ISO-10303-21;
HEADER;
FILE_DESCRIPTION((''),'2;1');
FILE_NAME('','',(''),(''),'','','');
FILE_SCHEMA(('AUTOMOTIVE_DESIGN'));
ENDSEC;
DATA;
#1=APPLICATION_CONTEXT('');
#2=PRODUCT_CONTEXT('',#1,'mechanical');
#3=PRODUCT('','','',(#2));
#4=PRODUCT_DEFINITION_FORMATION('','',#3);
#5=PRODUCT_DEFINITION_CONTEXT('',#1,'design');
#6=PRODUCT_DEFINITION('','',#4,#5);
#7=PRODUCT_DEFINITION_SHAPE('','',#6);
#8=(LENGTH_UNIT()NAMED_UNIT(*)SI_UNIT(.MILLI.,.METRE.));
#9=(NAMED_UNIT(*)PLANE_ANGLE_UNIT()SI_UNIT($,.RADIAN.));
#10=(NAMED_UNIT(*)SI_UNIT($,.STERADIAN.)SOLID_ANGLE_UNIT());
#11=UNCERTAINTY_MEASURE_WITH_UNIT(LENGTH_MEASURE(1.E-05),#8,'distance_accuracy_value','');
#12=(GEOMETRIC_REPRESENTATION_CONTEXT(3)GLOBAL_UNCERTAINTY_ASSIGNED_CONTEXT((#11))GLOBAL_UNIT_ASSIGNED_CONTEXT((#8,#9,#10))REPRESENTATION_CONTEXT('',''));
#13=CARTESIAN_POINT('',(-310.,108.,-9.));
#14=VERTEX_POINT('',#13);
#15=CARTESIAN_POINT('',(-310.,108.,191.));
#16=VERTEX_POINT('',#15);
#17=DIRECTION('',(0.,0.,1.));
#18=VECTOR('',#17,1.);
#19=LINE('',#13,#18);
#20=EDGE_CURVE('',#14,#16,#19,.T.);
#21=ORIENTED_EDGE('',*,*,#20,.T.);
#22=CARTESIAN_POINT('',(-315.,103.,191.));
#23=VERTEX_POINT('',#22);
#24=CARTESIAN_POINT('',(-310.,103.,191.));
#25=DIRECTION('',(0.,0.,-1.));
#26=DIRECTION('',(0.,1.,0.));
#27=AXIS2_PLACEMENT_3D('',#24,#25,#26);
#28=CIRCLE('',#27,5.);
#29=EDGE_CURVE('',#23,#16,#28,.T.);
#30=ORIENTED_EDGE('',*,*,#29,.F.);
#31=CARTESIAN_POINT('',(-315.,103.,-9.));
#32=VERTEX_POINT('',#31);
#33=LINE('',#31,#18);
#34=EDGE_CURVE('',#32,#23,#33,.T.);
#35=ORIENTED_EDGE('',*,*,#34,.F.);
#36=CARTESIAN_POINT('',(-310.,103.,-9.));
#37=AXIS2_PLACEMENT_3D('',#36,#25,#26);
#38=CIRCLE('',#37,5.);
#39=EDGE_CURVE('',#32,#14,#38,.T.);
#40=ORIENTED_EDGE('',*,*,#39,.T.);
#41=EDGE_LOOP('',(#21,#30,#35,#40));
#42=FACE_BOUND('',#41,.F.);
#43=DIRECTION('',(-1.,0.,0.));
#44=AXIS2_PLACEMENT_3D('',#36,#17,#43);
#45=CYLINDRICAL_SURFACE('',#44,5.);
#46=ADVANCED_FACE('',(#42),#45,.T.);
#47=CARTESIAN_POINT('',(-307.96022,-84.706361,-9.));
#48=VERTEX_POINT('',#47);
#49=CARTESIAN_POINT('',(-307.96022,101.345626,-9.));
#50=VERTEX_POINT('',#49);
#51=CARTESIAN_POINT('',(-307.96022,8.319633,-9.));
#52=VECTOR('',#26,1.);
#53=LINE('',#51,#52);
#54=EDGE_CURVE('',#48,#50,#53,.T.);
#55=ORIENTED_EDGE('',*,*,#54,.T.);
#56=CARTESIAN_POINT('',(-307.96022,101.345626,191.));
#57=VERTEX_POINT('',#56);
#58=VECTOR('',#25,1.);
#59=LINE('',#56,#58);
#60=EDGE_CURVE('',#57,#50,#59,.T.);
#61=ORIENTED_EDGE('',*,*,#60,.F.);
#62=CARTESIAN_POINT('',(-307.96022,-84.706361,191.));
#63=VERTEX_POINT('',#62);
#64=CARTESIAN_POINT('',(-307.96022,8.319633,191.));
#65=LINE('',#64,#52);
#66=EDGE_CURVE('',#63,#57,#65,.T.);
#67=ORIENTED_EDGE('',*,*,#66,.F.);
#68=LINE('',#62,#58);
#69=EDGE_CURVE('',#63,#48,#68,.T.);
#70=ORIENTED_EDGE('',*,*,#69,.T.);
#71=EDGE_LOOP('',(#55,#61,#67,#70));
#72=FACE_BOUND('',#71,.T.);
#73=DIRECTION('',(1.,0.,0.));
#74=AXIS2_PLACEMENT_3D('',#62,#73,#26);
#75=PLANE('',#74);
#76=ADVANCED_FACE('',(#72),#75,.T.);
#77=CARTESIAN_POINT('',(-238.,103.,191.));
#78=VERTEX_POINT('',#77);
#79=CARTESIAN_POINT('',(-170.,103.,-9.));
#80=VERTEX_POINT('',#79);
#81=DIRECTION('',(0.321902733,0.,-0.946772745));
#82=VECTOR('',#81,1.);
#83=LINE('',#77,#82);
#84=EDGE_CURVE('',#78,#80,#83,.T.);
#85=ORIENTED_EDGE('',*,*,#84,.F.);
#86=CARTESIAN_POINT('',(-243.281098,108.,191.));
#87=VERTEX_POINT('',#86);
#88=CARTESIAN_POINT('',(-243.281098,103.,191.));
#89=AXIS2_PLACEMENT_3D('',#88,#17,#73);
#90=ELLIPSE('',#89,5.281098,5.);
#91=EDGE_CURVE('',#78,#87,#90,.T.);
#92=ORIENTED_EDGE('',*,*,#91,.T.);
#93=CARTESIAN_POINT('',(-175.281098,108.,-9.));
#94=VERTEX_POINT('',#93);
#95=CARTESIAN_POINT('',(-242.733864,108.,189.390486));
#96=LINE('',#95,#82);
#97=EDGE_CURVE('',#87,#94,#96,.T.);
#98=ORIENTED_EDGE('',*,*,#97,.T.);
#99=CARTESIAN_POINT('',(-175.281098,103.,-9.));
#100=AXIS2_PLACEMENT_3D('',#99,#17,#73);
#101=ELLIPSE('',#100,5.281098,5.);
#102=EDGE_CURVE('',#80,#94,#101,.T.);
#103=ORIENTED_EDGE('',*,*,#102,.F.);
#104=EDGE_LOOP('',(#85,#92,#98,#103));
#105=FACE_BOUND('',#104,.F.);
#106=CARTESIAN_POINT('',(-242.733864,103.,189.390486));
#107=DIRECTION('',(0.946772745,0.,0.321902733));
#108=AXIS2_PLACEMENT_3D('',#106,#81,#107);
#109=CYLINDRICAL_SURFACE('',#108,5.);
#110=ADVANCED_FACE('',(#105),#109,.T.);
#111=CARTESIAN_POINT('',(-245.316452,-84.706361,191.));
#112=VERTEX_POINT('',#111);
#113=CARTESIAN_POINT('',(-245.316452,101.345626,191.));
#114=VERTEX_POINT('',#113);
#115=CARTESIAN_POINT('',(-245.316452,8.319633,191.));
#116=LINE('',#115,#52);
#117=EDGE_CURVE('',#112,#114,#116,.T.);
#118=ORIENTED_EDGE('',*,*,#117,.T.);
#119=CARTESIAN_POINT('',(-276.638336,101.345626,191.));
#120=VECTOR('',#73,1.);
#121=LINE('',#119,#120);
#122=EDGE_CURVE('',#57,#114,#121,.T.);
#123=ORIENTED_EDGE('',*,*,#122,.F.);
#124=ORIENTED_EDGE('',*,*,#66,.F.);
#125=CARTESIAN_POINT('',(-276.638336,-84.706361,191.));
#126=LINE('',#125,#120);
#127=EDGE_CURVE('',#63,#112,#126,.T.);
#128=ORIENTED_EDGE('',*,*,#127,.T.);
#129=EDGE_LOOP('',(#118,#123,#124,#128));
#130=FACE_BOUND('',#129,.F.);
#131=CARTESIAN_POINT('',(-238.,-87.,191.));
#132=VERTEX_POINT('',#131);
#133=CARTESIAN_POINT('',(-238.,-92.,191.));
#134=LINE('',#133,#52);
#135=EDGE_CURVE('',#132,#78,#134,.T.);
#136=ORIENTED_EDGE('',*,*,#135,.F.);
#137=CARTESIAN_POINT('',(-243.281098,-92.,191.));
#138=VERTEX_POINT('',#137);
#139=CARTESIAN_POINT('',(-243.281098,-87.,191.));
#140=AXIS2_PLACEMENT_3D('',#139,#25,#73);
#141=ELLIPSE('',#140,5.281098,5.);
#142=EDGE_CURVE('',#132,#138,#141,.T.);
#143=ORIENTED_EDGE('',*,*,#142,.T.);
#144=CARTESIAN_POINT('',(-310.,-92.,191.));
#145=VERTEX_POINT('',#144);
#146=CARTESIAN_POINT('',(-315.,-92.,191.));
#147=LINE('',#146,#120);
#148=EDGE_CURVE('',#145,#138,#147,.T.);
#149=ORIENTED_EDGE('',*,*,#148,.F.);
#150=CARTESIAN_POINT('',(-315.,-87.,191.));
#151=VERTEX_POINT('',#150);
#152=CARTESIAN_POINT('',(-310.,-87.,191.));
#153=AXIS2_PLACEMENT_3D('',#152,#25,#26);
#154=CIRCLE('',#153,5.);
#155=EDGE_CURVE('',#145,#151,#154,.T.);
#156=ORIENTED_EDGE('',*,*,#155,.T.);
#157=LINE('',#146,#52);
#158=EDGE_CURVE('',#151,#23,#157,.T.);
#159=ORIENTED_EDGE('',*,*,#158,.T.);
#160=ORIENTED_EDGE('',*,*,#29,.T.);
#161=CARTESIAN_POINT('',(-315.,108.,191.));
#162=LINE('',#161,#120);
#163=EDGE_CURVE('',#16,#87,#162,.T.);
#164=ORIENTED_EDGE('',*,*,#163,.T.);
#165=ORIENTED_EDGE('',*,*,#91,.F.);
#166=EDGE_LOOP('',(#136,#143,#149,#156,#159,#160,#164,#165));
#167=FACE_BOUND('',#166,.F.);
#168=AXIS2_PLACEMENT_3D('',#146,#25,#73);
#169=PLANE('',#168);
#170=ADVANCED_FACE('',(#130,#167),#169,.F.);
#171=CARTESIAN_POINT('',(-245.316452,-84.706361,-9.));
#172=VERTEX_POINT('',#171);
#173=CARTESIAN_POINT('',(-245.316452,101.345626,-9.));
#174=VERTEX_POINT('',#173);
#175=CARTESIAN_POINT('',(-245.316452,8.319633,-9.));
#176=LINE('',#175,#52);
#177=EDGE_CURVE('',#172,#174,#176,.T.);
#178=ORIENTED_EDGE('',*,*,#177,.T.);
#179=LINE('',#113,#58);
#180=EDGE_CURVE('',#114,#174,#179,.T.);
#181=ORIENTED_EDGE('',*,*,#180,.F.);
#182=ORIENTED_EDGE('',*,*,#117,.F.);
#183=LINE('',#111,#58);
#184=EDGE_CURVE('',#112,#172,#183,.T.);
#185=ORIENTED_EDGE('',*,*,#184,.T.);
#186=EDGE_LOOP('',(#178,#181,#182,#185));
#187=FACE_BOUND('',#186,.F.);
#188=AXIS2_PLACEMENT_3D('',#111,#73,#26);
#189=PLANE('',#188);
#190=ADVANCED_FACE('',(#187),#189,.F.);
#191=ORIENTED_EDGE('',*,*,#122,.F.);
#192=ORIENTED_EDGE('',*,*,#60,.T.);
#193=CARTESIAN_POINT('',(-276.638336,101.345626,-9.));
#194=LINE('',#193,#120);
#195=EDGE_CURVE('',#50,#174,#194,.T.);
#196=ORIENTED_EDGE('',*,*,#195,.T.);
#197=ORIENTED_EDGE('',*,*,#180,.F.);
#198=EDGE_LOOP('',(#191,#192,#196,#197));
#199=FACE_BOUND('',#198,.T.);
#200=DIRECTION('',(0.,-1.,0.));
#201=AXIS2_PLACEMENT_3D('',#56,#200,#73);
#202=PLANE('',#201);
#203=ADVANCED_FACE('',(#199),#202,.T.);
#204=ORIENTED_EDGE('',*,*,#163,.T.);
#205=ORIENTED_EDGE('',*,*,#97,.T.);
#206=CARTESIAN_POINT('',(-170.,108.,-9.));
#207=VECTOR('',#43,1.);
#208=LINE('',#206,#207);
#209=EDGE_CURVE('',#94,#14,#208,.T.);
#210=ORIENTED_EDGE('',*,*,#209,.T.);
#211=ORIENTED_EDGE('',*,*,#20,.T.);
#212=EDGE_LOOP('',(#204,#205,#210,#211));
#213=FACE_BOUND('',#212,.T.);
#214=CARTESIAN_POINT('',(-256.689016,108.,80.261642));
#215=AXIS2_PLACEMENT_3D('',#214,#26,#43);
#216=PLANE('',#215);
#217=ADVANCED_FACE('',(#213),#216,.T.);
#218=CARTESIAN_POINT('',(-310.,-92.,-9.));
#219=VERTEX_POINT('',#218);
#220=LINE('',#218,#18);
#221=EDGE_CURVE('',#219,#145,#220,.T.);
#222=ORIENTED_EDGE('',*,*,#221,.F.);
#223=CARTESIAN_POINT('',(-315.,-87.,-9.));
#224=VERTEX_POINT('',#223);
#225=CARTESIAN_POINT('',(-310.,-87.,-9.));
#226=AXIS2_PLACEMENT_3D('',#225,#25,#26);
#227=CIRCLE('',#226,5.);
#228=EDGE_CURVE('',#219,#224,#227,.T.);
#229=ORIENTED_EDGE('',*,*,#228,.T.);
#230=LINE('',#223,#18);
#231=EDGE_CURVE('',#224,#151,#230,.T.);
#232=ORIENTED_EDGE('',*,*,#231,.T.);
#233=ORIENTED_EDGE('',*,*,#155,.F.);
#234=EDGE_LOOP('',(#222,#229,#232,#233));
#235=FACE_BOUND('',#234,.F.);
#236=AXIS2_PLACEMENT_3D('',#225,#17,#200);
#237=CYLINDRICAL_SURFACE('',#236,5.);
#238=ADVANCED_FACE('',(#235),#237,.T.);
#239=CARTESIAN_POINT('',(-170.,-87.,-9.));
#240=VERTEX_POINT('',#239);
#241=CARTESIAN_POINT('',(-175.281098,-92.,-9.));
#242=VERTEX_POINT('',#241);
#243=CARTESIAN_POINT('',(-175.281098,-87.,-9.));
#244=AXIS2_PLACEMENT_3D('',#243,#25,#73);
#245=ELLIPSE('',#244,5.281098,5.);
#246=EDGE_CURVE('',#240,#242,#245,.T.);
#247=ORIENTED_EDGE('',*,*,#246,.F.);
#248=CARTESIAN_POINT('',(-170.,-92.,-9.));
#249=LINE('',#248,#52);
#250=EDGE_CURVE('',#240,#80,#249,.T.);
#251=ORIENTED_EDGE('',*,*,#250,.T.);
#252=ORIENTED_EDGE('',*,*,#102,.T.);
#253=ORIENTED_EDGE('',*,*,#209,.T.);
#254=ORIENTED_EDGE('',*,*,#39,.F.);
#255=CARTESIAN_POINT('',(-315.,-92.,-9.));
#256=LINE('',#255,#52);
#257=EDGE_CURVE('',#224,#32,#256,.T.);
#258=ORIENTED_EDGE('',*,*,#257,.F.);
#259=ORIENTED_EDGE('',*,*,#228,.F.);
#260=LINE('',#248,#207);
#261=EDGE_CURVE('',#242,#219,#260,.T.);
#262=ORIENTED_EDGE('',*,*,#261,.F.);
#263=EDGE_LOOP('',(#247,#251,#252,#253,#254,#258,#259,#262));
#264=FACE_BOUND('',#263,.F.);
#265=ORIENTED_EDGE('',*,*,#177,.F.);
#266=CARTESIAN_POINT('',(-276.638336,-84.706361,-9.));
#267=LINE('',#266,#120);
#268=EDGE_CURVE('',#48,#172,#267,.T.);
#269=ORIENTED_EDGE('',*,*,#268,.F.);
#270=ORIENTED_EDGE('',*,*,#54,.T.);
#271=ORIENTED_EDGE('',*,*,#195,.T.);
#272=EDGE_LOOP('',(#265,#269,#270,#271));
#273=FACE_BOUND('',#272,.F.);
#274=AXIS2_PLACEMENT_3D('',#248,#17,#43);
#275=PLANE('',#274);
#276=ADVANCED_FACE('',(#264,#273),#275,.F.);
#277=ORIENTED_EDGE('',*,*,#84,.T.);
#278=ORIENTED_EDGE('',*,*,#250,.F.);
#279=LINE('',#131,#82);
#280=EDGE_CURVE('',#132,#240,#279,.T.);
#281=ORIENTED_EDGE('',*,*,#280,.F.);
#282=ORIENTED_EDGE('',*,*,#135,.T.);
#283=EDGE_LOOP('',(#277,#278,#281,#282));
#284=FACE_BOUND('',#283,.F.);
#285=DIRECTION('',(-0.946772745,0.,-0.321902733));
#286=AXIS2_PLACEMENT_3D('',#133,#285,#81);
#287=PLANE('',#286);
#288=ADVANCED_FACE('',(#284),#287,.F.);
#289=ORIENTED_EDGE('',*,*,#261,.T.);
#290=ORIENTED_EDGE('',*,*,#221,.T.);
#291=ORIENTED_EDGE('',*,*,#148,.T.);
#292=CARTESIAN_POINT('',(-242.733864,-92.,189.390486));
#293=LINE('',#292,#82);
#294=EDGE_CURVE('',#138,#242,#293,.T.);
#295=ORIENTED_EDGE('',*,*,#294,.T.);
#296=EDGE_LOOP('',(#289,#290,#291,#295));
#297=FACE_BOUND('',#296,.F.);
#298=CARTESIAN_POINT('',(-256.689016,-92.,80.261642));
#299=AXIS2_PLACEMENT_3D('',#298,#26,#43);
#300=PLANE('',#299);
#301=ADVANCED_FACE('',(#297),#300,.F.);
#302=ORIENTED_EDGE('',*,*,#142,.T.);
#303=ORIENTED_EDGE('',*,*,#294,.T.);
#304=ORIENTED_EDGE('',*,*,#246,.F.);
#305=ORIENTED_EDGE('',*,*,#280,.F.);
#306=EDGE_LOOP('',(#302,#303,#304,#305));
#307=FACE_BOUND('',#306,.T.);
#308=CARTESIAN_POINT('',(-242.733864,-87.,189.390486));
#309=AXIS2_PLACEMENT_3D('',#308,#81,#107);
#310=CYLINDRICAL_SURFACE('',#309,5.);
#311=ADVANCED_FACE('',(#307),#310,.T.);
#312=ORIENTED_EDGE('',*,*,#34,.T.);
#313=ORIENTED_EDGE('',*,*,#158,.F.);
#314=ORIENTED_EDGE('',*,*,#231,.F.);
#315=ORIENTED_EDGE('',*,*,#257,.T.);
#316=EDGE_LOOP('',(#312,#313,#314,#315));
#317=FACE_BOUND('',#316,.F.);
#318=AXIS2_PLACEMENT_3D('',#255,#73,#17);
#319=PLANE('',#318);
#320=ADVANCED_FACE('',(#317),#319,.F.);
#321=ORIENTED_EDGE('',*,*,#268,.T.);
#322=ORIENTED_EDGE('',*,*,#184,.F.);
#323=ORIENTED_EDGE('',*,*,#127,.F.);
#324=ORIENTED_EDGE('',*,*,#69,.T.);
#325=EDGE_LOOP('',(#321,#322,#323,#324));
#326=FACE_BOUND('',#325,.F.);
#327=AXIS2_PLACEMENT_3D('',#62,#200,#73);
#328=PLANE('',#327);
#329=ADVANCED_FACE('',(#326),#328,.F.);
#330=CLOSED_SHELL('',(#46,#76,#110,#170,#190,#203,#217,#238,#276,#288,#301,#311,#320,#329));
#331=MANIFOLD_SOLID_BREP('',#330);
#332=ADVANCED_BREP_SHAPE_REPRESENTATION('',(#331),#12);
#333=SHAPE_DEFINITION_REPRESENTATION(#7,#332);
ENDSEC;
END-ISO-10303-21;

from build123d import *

# Parameters (mm, degrees)
PAD010_DEPTH            = 200
FILLET035_R             = 5
FILLET034_R             = 5
FILLET036_R             = 5
SKETCH016_W             = 62.643768
SKETCH016_H             = 186.051987
POCKET_DEPTH            = 200
BODY006_ROLL_ANGLE      = 90
BODY006_PLACEMENT_ANGLE = 180


with BuildPart() as part:
    # Sketch017 → Pad010 (new body)
    with BuildSketch(Plane.XY):
        Polygon((0, 0), (145, 0), (145, 200), (68, 200), align=None)
    extrude(amount=PAD010_DEPTH)

    # Fillet035
    fillet035_edges = [part.edges().sort_by_distance(p)[0] for p in [
        (34, 100, 0),
        (34, 100, 200),
    ]]
    fillet(fillet035_edges, radius=FILLET035_R)

    # Fillet034
    fillet034_edges = [part.edges().sort_by_distance(p)[0] for p in [
        (145, 100, 0),
    ]]
    fillet(fillet034_edges, radius=FILLET034_R)

    # Fillet036
    fillet036_edges = [part.edges().sort_by_distance(p)[0] for p in [
        (145, 100, 200),
    ]]
    fillet(fillet036_edges, radius=FILLET036_R)

    # Sketch016 (on Face10 of Fillet036) → Pocket (cut)
    with BuildSketch(Plane(origin=(0, 200, 0), x_dir=(-1, 0, 0), z_dir=(0, 1, 0))):
        with Locations((-106.638336, 100.319633)):
            Rectangle(SKETCH016_W, SKETCH016_H)
    extrude(amount=-POCKET_DEPTH, mode=Mode.SUBTRACT)


with BuildPart() as part_1:
    # Body006 roll: moved
    add(part.part.rotate(Axis((0, 0, 0), (1, 0, 0)), BODY006_ROLL_ANGLE))


with BuildPart() as part_2:
    # Body006 placement: moved
    add(part_1.part.moved(Location((-170, -92, -9))).rotate(Axis((-170, -92, -9), (0, 0, 1)), BODY006_PLACEMENT_ANGLE))


solid = part_2.part
